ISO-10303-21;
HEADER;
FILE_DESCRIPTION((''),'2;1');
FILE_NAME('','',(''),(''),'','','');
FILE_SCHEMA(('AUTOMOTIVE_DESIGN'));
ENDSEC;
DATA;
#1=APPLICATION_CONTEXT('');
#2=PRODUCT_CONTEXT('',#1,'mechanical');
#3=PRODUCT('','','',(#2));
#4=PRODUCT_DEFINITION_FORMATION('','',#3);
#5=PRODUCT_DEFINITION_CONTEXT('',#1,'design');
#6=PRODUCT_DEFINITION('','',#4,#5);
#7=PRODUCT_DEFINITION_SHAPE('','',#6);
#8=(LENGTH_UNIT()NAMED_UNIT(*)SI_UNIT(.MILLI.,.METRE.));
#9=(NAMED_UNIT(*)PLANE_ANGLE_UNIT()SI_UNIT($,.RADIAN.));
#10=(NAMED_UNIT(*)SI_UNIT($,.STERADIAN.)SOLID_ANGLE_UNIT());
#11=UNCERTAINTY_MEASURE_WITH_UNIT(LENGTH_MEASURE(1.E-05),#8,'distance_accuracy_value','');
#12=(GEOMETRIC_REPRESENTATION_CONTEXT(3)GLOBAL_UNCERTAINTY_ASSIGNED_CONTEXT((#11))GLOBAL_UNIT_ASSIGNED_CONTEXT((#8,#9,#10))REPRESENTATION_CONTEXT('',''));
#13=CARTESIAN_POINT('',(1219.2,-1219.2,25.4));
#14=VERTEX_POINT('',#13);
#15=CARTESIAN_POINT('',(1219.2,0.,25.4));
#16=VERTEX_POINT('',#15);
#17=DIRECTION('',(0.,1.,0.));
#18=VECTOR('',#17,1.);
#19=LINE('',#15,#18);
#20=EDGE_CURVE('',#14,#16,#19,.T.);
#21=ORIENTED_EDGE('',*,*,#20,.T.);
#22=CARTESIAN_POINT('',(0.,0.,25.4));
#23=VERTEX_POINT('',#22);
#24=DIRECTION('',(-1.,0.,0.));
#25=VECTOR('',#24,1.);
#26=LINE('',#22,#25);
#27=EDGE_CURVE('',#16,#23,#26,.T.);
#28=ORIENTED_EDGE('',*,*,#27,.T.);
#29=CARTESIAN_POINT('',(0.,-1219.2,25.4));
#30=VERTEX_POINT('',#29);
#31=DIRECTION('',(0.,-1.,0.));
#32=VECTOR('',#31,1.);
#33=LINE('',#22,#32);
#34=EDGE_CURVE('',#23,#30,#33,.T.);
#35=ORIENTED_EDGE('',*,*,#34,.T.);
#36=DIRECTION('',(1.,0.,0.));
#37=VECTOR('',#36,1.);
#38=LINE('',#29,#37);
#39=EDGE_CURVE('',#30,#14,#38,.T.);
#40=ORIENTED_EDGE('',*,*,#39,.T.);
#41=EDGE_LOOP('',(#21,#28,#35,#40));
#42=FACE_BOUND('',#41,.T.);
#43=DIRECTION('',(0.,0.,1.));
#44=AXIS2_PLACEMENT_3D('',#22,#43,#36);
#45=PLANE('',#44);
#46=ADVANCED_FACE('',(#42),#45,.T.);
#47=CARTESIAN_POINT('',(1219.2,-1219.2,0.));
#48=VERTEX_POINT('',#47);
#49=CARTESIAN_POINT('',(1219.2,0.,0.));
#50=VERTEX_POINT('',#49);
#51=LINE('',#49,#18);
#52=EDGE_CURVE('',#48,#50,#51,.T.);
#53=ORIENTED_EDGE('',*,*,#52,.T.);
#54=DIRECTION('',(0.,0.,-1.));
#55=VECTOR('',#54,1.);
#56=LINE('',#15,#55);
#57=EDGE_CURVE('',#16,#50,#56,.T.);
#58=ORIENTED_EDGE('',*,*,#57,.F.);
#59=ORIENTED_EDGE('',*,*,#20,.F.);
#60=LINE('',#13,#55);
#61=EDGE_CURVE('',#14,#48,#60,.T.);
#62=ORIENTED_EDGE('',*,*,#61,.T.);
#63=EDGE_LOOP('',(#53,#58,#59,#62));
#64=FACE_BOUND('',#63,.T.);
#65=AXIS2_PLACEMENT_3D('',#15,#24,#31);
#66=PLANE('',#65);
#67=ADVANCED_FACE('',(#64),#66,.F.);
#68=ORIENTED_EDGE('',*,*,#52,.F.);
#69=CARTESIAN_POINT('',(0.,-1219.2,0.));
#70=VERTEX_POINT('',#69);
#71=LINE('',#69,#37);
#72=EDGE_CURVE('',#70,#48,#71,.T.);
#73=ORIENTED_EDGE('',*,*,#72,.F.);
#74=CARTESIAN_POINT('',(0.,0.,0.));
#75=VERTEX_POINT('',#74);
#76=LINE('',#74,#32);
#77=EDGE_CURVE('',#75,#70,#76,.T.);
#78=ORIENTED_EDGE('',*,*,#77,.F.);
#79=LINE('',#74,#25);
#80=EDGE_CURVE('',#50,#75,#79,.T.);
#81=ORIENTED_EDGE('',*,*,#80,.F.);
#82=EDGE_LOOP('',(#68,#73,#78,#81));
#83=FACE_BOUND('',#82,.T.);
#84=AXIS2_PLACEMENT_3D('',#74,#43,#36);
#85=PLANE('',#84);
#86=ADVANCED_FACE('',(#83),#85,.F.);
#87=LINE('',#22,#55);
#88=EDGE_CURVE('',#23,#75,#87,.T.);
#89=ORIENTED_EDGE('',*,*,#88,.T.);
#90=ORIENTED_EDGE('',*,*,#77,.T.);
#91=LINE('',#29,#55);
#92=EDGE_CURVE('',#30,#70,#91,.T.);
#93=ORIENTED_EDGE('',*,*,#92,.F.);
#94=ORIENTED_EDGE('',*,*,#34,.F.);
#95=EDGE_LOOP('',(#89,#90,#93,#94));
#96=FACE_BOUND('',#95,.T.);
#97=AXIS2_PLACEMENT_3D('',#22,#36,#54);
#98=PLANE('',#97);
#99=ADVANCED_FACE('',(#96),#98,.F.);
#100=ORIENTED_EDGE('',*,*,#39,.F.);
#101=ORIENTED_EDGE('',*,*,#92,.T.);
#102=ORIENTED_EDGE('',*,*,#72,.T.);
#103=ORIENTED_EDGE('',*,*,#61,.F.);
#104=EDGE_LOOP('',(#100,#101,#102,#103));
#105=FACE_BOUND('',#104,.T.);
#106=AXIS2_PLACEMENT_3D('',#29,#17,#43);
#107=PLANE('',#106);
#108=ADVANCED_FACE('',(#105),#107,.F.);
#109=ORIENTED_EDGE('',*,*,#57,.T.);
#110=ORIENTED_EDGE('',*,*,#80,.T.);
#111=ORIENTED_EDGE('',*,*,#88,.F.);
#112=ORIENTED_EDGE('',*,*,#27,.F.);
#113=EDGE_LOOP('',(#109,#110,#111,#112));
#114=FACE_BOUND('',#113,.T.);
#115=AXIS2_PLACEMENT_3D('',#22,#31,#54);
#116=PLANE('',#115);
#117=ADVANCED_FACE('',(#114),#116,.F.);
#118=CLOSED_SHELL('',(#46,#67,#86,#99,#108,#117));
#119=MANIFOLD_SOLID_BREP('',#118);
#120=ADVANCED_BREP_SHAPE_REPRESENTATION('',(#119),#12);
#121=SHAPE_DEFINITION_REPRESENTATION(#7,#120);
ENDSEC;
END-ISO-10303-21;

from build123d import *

# Parameters (mm, degrees)
SKETCH1_W           = 1219.2
SKETCH1_H           = 1219.2
BOSS_EXTRUDE1_DEPTH = 25.4


with BuildPart() as part:
    # Sketch1 → Boss-Extrude1 (new body)
    with BuildSketch(Plane.XY):
        with Locations((609.6, -609.6)):
            Rectangle(SKETCH1_W, SKETCH1_H)
    extrude(amount=BOSS_EXTRUDE1_DEPTH)


solid = part.part
